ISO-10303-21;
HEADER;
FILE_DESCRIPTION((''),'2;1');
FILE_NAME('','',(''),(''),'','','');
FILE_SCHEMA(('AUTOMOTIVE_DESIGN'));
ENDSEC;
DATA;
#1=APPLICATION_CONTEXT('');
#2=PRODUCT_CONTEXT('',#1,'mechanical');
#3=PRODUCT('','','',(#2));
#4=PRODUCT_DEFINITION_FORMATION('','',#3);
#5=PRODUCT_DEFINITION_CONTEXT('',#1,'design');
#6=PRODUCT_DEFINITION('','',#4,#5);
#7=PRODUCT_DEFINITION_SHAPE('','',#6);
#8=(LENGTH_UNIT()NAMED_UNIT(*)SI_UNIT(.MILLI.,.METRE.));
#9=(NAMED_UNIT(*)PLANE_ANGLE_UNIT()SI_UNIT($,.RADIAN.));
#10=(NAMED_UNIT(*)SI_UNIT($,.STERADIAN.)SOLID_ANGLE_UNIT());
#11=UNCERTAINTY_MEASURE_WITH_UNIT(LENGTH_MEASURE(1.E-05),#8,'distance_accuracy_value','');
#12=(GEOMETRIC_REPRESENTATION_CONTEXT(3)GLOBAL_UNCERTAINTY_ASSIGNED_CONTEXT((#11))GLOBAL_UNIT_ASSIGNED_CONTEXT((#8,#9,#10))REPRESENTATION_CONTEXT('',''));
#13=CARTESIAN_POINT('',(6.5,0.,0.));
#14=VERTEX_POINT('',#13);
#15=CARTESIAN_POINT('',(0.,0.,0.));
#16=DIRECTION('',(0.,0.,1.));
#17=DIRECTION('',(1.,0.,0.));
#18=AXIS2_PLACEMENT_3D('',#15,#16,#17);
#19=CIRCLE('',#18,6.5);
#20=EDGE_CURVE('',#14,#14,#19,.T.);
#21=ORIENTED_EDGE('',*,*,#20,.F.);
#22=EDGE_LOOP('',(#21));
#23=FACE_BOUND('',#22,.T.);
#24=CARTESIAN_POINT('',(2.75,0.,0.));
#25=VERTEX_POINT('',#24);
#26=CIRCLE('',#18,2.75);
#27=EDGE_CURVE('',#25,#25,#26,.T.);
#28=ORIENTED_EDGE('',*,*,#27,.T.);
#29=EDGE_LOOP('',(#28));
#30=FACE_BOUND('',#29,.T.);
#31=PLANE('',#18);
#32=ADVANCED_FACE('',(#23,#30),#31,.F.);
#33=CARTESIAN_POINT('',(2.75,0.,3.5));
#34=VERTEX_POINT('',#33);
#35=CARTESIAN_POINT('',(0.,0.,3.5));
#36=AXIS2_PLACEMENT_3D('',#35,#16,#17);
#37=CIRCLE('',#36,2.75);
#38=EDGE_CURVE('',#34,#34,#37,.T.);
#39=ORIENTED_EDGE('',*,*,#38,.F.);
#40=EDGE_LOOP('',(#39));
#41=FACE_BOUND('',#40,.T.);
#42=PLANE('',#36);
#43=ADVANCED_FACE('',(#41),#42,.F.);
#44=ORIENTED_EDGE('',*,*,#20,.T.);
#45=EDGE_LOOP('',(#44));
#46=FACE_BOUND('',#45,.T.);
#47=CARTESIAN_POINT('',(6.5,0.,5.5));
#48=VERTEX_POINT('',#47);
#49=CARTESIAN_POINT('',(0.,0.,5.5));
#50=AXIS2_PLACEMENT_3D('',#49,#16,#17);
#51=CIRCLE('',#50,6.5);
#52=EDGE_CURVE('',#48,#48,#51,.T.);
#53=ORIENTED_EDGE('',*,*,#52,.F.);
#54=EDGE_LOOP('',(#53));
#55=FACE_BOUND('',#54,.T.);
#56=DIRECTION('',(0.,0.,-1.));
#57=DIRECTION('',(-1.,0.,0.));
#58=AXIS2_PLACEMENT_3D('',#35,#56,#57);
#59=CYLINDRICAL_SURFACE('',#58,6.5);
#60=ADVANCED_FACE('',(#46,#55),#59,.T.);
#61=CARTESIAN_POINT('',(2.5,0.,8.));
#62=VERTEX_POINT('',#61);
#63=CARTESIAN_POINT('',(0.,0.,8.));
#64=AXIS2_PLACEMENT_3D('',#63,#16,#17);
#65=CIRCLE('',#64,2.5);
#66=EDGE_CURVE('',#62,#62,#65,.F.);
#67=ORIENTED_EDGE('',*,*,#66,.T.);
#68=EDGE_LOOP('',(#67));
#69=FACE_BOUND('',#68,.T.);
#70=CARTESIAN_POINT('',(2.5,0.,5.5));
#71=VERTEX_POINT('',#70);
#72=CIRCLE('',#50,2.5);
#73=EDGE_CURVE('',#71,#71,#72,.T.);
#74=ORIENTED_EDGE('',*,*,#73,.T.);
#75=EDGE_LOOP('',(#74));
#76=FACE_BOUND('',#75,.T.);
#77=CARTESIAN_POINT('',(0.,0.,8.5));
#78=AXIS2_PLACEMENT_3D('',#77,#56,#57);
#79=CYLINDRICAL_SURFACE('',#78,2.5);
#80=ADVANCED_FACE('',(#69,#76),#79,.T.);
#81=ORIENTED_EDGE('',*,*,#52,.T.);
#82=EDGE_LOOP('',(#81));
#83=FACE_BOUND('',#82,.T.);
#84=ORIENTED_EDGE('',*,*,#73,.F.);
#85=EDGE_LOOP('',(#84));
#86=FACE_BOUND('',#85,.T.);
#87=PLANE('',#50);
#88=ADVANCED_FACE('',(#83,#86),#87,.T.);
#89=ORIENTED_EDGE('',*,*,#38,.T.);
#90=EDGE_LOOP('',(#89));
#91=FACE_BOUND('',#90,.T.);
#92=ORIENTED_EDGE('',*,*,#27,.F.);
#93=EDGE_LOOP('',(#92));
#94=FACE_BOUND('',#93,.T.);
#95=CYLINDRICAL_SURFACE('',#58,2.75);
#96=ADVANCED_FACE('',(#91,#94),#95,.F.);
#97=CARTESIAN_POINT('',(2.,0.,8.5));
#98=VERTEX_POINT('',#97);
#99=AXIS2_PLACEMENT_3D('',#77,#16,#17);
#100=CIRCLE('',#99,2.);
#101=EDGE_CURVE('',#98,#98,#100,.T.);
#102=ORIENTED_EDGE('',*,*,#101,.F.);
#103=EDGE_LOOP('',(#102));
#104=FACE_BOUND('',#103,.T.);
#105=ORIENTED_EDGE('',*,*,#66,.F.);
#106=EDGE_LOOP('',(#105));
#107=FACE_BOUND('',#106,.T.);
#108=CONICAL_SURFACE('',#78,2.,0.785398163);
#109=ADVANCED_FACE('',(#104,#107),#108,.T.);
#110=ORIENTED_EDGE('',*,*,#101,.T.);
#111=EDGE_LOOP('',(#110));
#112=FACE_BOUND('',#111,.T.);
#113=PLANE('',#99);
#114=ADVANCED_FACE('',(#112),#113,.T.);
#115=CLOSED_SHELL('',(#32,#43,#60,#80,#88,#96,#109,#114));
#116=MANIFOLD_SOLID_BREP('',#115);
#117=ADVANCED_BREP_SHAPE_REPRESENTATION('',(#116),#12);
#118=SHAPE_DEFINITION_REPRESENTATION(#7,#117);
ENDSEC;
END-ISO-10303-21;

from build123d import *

# Parameters (mm, degrees)
ESQUISSE1_R        = 6.5
ESQUISSE1_R_2      = 2.75
BOSS_EXTRU_1_DEPTH = 3.5
ESQUISSE2_R        = 6.5
BOSS_EXTRU_2_DEPTH = 2
ESQUISSE3_R        = 2.5
BOSS_EXTRU_3_DEPTH = 3
CHANFREIN1_SIZE    = 0.5


with BuildPart() as part:
    # Esquisse1 → Boss.-Extru.1 (new body)
    with BuildSketch(Plane.XY):
        Circle(ESQUISSE1_R)
        Circle(ESQUISSE1_R_2, mode=Mode.SUBTRACT)
    extrude(amount=BOSS_EXTRU_1_DEPTH)

    # Esquisse2 → Boss.-Extru.2 (add)
    with BuildSketch(Plane.XY.offset(3.5)):
        Circle(ESQUISSE2_R)
    extrude(amount=BOSS_EXTRU_2_DEPTH)

    # Esquisse3 → Boss.-Extru.3 (add)
    with BuildSketch(Plane.XY.offset(5.5)):
        Circle(ESQUISSE3_R)
    extrude(amount=BOSS_EXTRU_3_DEPTH)

    # Chanfrein1
    chanfrein1_edges = [part.edges().sort_by_distance(p)[0] for p in [
        (-2.5, 0, 8.5),
    ]]
    chamfer(chanfrein1_edges, length=CHANFREIN1_SIZE)


solid = part.part
